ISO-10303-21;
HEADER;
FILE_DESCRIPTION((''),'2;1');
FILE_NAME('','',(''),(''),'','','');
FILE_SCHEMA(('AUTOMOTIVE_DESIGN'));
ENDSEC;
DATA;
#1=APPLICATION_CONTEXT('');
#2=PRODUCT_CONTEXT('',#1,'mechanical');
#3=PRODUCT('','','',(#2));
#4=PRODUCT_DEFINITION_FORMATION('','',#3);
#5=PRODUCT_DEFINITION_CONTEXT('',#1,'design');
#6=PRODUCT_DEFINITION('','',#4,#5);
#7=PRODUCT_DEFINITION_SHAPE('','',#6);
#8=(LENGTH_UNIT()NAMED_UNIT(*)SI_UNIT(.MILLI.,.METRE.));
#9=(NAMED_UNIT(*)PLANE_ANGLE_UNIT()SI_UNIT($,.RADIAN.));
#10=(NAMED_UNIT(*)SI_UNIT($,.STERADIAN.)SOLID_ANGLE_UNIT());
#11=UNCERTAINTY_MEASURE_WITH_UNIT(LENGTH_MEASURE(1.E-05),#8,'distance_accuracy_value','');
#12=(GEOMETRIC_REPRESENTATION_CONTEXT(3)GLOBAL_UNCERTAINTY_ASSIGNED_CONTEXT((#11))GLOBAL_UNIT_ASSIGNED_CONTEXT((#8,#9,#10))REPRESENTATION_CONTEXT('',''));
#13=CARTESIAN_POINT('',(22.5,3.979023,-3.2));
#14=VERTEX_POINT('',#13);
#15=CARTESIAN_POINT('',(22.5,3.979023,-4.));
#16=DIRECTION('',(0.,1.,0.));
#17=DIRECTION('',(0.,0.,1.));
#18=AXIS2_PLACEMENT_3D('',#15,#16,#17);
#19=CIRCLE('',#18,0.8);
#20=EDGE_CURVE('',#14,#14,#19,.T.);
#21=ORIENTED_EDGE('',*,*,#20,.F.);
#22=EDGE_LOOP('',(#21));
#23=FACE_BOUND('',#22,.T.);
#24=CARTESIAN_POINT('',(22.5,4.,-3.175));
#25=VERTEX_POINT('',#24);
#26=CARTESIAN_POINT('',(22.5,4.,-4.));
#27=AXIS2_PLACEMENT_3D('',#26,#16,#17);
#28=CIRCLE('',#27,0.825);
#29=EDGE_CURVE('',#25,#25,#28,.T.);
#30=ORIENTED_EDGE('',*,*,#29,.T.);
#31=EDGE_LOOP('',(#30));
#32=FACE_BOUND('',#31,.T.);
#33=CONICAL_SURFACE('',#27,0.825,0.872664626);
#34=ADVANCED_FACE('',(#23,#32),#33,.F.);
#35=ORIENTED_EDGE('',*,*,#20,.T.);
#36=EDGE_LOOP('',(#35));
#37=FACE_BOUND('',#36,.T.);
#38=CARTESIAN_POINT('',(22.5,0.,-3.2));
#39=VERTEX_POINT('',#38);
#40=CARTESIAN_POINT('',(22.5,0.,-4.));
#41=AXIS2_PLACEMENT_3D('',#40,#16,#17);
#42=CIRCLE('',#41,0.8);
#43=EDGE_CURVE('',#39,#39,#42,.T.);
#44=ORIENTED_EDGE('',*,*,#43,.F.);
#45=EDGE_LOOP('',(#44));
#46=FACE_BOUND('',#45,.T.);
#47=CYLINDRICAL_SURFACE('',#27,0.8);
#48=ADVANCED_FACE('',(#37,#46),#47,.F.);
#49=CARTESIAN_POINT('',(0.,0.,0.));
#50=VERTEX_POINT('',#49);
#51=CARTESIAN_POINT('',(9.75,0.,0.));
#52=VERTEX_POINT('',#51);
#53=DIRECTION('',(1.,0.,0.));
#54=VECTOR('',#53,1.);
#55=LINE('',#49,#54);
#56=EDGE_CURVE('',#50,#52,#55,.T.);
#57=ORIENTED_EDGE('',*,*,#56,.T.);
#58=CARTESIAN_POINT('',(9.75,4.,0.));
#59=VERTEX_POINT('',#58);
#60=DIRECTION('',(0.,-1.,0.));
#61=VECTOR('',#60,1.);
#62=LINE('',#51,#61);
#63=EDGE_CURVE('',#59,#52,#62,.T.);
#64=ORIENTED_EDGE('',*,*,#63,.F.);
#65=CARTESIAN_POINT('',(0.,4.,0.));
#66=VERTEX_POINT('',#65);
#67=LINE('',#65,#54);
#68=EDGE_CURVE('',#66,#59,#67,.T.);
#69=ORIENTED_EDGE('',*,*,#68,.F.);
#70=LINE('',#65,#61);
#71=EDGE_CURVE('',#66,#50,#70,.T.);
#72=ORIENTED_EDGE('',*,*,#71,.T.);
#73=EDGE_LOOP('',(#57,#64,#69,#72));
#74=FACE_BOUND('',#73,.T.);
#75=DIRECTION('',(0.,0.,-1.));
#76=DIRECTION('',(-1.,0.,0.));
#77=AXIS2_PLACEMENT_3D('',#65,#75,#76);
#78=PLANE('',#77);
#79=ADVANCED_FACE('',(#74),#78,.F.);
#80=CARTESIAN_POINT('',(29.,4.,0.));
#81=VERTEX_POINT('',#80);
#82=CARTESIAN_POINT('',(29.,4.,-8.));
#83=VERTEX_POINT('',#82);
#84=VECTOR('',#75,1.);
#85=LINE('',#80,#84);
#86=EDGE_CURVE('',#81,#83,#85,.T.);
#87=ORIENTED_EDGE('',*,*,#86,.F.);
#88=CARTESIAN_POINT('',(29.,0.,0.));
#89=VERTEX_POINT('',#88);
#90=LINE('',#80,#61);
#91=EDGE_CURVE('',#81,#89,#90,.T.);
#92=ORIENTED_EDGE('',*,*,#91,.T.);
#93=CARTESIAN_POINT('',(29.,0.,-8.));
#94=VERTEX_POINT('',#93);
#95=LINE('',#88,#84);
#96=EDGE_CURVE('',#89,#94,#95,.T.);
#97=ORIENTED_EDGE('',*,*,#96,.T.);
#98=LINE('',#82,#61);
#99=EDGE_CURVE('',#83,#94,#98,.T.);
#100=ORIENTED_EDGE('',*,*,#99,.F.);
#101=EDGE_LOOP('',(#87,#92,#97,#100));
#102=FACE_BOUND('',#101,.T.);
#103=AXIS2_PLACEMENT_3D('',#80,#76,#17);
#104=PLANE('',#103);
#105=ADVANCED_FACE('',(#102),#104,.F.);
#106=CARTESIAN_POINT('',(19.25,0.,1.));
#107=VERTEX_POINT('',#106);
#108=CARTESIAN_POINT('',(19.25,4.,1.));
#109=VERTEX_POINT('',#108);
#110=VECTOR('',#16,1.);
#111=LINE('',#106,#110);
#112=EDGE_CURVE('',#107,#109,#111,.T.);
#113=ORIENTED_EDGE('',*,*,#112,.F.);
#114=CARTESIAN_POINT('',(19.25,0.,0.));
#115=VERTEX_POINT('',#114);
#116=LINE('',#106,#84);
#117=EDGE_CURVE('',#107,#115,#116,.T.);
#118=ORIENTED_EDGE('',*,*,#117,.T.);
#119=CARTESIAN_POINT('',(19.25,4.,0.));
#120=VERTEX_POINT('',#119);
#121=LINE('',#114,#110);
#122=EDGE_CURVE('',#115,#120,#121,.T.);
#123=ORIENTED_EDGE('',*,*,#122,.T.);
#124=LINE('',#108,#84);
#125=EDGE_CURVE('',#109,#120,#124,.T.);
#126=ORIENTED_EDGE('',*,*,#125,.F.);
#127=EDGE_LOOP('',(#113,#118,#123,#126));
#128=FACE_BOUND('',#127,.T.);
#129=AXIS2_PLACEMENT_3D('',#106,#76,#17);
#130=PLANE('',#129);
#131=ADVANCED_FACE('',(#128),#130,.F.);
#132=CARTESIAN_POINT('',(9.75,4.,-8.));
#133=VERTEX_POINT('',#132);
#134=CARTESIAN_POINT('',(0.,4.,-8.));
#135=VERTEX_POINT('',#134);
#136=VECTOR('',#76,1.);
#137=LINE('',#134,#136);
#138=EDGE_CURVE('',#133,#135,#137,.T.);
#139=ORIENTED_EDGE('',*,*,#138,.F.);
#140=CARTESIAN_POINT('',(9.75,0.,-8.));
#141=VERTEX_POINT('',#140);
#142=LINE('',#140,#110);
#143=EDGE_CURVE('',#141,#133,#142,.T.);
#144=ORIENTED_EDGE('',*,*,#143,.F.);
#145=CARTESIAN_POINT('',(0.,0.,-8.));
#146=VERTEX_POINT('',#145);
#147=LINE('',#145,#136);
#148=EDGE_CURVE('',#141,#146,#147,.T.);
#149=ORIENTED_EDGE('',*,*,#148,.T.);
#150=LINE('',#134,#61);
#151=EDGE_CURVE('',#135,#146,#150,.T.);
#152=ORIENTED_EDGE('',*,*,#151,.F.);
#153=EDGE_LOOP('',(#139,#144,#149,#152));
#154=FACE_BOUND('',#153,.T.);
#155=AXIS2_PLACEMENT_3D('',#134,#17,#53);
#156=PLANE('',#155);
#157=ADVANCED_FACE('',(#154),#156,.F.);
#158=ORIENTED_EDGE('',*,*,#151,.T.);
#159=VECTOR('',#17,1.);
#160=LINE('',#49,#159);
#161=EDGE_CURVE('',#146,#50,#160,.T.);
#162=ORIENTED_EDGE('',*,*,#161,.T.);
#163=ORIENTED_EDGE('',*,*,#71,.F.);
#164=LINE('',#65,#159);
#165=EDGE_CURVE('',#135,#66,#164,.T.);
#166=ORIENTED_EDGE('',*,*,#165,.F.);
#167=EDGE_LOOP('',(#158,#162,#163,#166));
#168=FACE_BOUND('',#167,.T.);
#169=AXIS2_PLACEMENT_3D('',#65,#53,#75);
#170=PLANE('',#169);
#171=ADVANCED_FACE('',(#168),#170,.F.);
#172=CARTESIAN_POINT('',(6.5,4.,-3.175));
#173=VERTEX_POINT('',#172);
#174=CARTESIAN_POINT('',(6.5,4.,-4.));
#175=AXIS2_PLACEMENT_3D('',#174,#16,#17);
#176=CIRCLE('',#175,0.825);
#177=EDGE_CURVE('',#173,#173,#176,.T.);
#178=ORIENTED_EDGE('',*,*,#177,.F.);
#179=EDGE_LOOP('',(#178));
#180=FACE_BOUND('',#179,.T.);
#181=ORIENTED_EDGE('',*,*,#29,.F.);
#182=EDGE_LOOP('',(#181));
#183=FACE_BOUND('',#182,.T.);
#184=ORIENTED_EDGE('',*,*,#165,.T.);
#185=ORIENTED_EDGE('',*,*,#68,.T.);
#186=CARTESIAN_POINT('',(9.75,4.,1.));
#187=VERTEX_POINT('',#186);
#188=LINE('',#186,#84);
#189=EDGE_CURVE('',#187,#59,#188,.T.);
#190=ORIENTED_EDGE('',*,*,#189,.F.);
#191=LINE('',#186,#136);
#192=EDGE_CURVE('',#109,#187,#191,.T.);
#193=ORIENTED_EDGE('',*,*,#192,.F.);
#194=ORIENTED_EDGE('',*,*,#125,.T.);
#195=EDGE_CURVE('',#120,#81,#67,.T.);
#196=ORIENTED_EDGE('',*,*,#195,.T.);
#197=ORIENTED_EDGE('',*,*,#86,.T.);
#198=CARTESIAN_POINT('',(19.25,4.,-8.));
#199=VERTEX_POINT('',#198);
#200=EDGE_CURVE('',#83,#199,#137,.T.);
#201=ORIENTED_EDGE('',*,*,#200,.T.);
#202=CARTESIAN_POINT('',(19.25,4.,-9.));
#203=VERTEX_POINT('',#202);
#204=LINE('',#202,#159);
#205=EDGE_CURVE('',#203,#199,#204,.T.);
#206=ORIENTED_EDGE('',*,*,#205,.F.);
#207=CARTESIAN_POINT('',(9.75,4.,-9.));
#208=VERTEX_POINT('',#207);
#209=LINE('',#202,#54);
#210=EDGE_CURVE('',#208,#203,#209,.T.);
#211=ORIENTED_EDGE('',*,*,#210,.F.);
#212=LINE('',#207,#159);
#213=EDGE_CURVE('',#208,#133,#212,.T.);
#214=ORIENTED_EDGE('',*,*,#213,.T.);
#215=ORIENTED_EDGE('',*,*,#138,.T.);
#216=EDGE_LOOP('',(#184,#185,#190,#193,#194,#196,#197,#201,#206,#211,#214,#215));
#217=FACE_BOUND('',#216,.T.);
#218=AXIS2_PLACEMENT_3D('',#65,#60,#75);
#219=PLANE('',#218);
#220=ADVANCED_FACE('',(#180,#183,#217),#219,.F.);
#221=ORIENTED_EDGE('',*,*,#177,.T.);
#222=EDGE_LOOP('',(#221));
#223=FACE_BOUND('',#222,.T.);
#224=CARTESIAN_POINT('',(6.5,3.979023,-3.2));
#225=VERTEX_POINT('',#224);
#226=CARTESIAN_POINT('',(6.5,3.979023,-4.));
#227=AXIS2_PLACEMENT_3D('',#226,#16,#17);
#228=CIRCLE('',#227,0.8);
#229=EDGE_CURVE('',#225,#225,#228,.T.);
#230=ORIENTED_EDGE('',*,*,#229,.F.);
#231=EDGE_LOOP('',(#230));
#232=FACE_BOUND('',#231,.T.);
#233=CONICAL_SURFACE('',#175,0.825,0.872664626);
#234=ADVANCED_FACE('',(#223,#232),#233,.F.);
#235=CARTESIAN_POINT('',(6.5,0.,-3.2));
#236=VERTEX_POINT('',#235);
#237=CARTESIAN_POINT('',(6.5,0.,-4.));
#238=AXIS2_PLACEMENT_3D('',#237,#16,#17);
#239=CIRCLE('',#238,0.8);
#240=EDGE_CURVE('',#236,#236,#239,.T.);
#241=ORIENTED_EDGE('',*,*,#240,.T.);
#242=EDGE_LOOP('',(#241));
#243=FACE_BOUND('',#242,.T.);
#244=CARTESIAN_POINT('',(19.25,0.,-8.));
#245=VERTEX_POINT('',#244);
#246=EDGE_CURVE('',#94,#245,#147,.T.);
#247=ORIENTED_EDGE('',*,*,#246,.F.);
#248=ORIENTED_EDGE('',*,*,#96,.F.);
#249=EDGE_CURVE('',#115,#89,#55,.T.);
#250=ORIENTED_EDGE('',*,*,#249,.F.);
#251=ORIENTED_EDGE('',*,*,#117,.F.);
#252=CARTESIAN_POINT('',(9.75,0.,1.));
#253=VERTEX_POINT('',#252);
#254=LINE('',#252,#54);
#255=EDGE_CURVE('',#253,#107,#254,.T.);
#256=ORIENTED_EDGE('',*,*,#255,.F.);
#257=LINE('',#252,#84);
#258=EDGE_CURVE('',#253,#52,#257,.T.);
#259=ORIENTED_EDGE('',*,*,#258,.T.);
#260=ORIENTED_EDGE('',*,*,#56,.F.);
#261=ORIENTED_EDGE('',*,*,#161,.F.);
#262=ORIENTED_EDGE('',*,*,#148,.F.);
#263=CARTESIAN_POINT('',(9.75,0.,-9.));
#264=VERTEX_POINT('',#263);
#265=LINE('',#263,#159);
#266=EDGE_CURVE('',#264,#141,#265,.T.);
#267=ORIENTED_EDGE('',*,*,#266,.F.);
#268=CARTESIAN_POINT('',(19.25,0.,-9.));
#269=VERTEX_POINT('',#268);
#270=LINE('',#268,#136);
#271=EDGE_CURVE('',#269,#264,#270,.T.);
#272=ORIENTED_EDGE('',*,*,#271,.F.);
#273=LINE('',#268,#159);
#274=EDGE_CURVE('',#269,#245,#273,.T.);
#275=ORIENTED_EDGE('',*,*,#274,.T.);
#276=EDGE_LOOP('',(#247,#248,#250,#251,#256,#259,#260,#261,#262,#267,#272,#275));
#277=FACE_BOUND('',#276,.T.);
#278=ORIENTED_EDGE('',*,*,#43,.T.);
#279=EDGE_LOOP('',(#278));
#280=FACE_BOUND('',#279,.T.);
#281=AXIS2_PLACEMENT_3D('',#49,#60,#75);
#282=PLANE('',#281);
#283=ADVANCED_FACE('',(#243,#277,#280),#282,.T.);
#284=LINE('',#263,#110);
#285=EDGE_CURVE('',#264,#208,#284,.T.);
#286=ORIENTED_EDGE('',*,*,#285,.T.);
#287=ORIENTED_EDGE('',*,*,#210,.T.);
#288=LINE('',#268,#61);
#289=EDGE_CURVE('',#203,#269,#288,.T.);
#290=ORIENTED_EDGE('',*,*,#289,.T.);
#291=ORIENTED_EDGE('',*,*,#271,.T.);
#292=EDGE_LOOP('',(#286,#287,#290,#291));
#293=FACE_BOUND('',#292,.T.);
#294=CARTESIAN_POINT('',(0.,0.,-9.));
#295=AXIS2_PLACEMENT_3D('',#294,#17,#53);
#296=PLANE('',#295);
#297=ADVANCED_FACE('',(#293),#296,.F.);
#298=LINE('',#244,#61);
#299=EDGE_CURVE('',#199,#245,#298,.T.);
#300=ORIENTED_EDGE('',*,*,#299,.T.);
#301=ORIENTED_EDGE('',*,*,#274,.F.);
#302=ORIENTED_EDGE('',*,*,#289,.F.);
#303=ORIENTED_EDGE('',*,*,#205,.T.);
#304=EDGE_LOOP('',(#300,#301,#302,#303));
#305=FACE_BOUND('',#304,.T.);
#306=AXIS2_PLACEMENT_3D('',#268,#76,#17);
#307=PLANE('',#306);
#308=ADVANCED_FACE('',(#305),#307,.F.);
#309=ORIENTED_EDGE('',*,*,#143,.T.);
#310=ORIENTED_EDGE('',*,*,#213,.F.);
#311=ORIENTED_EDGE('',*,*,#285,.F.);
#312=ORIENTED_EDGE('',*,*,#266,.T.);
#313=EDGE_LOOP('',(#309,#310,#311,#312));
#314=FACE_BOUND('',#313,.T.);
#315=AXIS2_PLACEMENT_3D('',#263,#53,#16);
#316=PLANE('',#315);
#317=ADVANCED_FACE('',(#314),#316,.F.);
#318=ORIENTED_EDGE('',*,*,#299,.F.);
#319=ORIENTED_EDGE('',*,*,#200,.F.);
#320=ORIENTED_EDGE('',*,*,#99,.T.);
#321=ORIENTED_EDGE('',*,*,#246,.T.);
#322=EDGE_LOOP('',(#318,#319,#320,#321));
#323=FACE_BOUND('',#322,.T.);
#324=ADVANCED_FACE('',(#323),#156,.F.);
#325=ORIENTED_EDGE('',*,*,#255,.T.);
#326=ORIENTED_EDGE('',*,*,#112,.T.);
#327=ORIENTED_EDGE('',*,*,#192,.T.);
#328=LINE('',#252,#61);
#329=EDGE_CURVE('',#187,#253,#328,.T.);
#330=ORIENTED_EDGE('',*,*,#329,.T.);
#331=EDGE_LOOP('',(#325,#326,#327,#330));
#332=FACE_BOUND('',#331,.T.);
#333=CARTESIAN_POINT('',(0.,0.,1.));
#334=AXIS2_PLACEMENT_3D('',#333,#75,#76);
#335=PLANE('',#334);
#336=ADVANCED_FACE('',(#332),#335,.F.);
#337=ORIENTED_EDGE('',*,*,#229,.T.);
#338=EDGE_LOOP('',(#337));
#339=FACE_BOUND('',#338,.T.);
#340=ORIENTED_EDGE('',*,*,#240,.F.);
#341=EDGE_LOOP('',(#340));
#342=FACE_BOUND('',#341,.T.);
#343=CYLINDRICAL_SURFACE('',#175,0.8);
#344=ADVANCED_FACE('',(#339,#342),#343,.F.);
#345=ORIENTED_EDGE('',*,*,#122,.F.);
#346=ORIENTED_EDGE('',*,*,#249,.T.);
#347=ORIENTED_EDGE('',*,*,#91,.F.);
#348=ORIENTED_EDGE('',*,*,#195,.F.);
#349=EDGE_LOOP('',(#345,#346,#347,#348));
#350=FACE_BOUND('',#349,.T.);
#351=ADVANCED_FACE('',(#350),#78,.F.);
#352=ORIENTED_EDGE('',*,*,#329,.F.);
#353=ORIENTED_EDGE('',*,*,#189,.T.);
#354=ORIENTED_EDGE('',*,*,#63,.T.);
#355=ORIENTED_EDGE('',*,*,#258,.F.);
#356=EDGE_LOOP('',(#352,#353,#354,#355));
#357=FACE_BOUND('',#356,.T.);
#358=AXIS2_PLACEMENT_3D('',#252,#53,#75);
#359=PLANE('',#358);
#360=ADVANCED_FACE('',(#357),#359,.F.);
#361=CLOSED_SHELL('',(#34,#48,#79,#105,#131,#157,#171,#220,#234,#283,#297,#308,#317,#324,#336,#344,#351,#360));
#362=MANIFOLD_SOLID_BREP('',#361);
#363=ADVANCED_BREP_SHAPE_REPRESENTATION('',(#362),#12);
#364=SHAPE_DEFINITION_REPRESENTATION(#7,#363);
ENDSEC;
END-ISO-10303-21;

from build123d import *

# Parameters (mm, degrees)
SKETCH1_W                         = 29
SKETCH1_H                         = 8
BOSS_EXTRUDE1_DEPTH               = 4
SKETCH2_W                         = 9.5
SKETCH2_H                         = 4
BOSS_EXTRUDE2_DEPTH               = 1
SKETCH3_W                         = 9.5
SKETCH3_H                         = 4
BOSS_EXTRUDE3_DEPTH               = 1
TAP_DRILL_FOR_M2_TAP1_D           = 1.6
TAP_DRILL_FOR_M2_TAP1_CSINK_D     = 1.65
TAP_DRILL_FOR_M2_TAP1_CSINK_ANGLE = 100


with BuildPart() as part:
    # Sketch1 → Boss-Extrude1 (new body)
    with BuildSketch(Plane(origin=(0, 0, 0), x_dir=(1, 0, 0), z_dir=(0, 1, 0))):
        with Locations((14.5, 4)):
            Rectangle(SKETCH1_W, SKETCH1_H)
    extrude(amount=BOSS_EXTRUDE1_DEPTH)

    # Sketch2 → Boss-Extrude2 (add)
    with BuildSketch(Plane.XY):
        with Locations((14.5, 2)):
            Rectangle(SKETCH2_W, SKETCH2_H)
    extrude(amount=BOSS_EXTRUDE2_DEPTH)

    # Sketch3 → Boss-Extrude3 (add)
    with BuildSketch(Plane(origin=(0, 0, -8), x_dir=(-1, 0, 0), z_dir=(0, 0, -1))):
        with Locations((-14.5, 2)):
            Rectangle(SKETCH3_W, SKETCH3_H)
    extrude(amount=BOSS_EXTRUDE3_DEPTH)

    # Tap Drill for M2 Tap1 (through all)
    with Locations(Plane(origin=(0, 4, 0), x_dir=(1, 0, 0), z_dir=(0, 1, 0))):
        with Locations((6.5, 4), (22.5, 4)):
            CounterSinkHole(TAP_DRILL_FOR_M2_TAP1_D / 2, TAP_DRILL_FOR_M2_TAP1_CSINK_D / 2, counter_sink_angle=TAP_DRILL_FOR_M2_TAP1_CSINK_ANGLE)


solid = part.part
